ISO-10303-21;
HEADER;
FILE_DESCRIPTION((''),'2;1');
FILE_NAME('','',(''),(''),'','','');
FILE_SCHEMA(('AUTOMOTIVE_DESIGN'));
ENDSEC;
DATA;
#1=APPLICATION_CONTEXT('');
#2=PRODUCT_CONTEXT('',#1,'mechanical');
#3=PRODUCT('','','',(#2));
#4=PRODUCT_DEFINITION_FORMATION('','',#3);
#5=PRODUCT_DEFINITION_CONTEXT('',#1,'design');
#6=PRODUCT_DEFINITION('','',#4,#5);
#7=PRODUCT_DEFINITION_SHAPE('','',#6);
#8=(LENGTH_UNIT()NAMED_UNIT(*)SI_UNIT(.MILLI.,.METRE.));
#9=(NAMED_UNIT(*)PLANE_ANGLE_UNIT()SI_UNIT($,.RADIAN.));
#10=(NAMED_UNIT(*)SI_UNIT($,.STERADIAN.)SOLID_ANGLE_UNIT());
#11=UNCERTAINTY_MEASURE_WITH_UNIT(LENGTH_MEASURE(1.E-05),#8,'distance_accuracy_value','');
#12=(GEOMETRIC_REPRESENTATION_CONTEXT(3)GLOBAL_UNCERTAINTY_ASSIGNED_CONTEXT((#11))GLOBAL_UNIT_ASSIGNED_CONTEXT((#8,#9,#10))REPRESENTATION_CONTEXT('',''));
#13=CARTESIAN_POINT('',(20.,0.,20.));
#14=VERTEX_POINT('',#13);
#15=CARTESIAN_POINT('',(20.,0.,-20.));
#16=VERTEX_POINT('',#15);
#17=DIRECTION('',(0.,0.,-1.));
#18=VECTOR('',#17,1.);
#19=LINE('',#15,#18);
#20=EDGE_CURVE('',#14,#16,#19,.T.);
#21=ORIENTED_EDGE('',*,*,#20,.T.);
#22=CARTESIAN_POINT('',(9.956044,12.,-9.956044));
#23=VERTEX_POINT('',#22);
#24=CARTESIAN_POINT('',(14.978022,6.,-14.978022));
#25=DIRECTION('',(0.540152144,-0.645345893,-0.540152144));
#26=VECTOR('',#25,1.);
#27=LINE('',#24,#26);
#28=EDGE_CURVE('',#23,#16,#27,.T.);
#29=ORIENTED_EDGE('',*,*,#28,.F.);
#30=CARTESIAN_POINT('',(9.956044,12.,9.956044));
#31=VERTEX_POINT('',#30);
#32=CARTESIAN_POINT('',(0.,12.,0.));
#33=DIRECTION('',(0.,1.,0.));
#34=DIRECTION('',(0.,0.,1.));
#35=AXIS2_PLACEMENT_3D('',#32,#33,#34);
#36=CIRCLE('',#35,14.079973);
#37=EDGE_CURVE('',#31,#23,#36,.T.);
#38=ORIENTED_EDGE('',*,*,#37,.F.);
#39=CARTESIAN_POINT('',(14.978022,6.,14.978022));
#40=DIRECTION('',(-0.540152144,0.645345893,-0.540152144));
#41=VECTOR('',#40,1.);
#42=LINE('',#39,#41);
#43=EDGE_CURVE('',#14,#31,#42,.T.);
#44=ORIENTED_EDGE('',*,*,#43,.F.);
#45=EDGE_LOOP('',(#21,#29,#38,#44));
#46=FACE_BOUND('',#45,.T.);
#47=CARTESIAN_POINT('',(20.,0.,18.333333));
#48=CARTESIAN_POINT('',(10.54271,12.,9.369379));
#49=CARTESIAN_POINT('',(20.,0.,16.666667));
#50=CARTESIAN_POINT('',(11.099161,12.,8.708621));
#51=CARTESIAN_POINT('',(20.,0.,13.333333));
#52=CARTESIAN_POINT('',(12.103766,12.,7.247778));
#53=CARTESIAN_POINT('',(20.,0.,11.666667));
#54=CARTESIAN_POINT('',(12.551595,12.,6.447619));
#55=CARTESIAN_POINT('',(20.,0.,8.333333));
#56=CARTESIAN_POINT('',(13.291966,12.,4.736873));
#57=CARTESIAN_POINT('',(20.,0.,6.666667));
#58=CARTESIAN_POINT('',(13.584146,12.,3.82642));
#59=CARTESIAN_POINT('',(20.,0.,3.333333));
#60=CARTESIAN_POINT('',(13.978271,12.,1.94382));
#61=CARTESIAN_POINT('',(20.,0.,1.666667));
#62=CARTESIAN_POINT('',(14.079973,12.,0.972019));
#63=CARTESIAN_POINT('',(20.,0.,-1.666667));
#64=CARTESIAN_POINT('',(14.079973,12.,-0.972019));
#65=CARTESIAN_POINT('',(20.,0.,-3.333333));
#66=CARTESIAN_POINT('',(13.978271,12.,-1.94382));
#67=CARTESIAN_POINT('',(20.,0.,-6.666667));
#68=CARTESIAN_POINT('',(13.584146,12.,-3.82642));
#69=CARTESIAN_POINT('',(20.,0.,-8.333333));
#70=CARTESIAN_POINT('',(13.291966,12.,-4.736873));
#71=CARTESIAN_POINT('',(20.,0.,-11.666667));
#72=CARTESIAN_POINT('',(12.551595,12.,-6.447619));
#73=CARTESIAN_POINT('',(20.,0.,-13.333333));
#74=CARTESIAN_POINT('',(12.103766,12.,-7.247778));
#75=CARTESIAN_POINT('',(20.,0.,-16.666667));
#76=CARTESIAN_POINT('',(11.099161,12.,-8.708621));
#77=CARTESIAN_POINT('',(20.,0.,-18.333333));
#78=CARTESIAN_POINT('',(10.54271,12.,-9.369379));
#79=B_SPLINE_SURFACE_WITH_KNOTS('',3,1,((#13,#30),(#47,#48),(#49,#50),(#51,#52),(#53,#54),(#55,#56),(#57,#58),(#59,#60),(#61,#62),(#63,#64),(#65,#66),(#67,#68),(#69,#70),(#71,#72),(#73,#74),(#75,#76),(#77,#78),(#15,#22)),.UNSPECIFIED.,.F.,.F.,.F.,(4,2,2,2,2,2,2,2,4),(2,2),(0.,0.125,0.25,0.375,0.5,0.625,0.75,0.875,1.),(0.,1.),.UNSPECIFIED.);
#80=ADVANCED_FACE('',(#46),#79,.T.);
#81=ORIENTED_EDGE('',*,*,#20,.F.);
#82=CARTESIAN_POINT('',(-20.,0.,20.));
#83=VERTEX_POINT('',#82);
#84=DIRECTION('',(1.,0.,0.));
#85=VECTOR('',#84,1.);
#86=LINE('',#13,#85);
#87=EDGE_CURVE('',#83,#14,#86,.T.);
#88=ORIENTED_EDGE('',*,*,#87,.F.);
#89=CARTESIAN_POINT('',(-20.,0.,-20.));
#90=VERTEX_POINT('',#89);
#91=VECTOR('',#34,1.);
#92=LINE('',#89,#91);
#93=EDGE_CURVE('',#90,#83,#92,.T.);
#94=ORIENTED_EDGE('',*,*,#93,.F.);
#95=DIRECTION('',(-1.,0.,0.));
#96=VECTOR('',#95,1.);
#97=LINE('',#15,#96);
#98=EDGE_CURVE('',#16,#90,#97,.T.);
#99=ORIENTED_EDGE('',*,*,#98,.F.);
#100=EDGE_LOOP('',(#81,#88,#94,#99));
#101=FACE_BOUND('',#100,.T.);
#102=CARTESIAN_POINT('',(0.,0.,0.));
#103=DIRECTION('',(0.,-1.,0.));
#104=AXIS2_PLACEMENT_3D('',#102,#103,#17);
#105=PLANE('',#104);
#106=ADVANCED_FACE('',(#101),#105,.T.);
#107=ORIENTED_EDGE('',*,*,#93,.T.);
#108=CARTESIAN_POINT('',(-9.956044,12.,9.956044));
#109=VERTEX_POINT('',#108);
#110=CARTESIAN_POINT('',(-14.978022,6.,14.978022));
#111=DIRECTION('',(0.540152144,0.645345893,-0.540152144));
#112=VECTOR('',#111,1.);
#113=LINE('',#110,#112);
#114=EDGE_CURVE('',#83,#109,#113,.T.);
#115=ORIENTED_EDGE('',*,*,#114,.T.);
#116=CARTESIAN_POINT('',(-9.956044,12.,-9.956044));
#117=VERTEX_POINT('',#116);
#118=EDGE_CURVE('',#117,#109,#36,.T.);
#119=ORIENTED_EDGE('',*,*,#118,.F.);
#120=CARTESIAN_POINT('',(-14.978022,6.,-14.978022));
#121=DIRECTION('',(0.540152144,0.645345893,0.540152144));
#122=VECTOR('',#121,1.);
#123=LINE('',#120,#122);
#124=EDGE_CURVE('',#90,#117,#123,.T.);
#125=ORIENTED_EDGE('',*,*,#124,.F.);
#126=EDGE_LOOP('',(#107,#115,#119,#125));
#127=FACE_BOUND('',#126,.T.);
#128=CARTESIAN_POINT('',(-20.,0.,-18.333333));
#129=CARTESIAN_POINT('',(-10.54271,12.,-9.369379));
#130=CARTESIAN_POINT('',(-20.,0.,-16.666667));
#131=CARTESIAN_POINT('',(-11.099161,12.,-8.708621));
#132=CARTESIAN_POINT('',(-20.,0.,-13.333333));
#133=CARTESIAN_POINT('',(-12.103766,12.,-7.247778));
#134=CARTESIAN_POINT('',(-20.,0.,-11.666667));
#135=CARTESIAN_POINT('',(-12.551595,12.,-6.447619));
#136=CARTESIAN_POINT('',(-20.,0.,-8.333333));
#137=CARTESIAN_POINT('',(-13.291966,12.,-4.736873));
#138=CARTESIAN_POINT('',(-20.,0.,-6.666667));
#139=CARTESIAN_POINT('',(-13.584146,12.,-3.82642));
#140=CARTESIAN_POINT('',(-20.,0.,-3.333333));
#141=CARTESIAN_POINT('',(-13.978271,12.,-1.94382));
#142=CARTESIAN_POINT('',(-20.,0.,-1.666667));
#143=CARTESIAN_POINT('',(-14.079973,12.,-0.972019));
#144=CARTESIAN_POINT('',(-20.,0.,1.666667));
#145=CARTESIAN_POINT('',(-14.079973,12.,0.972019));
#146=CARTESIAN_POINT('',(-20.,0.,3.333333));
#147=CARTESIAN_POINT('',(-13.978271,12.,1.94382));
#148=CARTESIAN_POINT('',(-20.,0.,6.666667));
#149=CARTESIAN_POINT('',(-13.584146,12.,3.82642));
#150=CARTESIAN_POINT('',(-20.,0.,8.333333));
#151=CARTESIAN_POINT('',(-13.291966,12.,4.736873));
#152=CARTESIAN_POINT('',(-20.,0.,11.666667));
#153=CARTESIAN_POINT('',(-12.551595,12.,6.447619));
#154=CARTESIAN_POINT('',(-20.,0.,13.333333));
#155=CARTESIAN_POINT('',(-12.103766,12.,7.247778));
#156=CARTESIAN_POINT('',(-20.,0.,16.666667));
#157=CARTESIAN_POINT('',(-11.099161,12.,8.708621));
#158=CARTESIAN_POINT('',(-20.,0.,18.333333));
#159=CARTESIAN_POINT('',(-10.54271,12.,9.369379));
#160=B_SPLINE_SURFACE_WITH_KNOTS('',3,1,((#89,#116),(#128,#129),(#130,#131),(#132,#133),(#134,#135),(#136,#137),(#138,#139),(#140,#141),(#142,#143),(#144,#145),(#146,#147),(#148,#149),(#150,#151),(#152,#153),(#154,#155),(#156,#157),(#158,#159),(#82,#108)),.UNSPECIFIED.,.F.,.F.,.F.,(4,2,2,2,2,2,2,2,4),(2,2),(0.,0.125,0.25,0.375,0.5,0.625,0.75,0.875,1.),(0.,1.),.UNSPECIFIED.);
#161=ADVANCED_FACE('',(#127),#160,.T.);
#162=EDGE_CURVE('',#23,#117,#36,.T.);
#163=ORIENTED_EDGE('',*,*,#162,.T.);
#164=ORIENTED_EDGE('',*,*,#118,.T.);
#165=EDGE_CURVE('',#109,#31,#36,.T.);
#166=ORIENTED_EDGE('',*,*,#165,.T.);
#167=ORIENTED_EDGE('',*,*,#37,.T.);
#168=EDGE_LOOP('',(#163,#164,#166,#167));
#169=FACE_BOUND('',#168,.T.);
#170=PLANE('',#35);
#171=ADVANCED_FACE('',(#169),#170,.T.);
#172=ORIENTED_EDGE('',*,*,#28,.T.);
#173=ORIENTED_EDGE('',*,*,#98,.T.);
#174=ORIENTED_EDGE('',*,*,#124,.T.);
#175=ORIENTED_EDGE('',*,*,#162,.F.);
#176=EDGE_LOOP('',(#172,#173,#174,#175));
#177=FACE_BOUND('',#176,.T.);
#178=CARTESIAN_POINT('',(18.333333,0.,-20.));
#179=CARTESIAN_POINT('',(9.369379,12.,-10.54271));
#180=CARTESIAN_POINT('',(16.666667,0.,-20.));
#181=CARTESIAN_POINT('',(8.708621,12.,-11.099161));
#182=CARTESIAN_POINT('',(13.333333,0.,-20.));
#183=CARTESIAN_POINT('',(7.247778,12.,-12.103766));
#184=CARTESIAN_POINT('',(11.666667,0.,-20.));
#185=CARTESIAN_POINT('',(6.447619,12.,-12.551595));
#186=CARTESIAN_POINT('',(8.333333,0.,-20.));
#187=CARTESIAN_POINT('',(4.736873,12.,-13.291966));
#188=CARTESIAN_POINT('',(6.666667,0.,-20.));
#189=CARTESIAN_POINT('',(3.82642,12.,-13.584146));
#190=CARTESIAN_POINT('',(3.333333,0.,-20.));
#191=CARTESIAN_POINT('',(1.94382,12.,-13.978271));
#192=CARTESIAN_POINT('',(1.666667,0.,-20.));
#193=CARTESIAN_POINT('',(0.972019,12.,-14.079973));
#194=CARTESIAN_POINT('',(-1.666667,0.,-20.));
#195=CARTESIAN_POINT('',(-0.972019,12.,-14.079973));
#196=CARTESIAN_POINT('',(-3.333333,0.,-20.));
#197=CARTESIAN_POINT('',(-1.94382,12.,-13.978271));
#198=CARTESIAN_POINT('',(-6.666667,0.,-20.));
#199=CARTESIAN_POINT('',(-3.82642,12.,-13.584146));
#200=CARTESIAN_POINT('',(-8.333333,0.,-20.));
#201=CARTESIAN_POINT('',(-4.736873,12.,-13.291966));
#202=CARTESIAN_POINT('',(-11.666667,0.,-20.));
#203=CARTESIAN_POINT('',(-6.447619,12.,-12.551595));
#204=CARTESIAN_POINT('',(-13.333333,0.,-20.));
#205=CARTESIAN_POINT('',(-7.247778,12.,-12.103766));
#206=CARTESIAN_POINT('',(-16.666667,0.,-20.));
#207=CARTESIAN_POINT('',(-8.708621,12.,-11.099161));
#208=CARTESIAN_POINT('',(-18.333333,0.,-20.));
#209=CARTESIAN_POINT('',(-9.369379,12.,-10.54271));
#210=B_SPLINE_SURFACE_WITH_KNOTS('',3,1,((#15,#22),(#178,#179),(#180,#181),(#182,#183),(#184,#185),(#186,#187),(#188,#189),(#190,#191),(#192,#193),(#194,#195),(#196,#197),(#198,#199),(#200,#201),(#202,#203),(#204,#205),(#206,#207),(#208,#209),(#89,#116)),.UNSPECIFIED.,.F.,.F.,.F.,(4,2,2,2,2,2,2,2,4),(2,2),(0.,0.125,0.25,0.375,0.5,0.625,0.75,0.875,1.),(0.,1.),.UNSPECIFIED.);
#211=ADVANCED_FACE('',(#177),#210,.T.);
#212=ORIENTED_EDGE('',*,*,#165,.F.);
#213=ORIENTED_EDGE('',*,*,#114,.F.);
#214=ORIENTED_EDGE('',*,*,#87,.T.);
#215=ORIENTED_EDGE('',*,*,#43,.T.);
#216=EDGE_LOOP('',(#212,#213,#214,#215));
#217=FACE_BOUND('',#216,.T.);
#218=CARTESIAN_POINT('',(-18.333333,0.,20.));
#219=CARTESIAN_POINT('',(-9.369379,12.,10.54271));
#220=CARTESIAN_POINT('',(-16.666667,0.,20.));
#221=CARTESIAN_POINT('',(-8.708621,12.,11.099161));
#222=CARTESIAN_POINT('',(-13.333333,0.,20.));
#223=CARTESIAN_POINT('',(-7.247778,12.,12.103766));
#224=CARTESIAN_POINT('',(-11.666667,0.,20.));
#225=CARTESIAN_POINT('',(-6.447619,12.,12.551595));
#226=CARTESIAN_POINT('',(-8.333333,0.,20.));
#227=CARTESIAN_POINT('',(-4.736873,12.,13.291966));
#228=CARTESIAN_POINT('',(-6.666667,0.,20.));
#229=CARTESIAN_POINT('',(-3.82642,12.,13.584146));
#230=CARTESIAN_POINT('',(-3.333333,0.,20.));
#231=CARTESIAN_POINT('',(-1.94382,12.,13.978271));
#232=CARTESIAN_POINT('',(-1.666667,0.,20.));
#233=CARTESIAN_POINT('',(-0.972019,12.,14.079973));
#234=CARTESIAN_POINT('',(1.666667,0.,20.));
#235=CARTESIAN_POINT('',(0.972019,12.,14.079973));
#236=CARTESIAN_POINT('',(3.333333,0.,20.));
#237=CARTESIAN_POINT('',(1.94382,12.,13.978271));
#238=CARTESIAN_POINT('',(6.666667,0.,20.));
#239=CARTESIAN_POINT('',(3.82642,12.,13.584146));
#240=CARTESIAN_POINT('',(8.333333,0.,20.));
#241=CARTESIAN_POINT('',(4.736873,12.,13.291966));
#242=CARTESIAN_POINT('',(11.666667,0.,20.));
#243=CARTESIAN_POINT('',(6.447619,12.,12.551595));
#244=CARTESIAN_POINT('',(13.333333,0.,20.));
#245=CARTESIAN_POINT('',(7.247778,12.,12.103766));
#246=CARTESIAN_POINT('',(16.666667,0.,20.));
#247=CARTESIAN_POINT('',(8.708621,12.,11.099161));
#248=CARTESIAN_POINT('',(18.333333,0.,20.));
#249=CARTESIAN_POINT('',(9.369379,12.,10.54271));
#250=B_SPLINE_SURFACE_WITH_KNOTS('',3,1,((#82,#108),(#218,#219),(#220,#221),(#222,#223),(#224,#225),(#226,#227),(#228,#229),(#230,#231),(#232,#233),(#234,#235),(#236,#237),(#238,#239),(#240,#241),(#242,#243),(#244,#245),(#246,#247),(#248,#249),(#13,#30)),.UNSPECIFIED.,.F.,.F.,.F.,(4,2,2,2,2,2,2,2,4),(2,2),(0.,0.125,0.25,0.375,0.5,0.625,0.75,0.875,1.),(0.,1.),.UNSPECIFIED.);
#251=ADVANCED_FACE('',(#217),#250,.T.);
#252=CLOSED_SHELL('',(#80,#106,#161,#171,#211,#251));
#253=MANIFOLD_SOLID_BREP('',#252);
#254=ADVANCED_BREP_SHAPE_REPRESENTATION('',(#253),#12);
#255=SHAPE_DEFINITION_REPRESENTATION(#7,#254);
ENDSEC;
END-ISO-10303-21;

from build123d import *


with BuildPart() as part:
    # Эскиз1 → По сечениям1 section 0
    with BuildSketch(Plane(origin=(0, 0, 0), x_dir=(1, 0, 0), z_dir=(0, 1, 0))):
        with BuildLine():
            Line((20, 20), (-20, 20))
            Line((-20, 20), (-20, -20))
            Line((-20, -20), (20, -20))
            Line((20, -20), (20, 20))
        make_face()
    # Эскиз2 for По сечениям1 → По сечениям1 section 1
    with BuildSketch(Plane(origin=(0, 12, 0), x_dir=(1, 0, 0), z_dir=(0, 1, 0))):
        with BuildLine():
            # circular arc as an exact rational Bezier (weights 1, cos(half-angle), 1)
            Bezier((9.956044035, 9.956044035), (0, 19.91208807), (-9.956044035, 9.956044035), weights=[1, 0.707106781, 1])
            Bezier((-9.956044035, 9.956044035), (-19.91208807, 0), (-9.956044035, -9.956044035), weights=[1, 0.707106781, 1])
            Bezier((-9.956044035, -9.956044035), (0, -19.91208807), (9.956044035, -9.956044035), weights=[1, 0.707106781, 1])
            Bezier((9.956044035, -9.956044035), (19.91208807, 0), (9.956044035, 9.956044035), weights=[1, 0.707106781, 1])
        make_face()
    loft()


solid = part.part
